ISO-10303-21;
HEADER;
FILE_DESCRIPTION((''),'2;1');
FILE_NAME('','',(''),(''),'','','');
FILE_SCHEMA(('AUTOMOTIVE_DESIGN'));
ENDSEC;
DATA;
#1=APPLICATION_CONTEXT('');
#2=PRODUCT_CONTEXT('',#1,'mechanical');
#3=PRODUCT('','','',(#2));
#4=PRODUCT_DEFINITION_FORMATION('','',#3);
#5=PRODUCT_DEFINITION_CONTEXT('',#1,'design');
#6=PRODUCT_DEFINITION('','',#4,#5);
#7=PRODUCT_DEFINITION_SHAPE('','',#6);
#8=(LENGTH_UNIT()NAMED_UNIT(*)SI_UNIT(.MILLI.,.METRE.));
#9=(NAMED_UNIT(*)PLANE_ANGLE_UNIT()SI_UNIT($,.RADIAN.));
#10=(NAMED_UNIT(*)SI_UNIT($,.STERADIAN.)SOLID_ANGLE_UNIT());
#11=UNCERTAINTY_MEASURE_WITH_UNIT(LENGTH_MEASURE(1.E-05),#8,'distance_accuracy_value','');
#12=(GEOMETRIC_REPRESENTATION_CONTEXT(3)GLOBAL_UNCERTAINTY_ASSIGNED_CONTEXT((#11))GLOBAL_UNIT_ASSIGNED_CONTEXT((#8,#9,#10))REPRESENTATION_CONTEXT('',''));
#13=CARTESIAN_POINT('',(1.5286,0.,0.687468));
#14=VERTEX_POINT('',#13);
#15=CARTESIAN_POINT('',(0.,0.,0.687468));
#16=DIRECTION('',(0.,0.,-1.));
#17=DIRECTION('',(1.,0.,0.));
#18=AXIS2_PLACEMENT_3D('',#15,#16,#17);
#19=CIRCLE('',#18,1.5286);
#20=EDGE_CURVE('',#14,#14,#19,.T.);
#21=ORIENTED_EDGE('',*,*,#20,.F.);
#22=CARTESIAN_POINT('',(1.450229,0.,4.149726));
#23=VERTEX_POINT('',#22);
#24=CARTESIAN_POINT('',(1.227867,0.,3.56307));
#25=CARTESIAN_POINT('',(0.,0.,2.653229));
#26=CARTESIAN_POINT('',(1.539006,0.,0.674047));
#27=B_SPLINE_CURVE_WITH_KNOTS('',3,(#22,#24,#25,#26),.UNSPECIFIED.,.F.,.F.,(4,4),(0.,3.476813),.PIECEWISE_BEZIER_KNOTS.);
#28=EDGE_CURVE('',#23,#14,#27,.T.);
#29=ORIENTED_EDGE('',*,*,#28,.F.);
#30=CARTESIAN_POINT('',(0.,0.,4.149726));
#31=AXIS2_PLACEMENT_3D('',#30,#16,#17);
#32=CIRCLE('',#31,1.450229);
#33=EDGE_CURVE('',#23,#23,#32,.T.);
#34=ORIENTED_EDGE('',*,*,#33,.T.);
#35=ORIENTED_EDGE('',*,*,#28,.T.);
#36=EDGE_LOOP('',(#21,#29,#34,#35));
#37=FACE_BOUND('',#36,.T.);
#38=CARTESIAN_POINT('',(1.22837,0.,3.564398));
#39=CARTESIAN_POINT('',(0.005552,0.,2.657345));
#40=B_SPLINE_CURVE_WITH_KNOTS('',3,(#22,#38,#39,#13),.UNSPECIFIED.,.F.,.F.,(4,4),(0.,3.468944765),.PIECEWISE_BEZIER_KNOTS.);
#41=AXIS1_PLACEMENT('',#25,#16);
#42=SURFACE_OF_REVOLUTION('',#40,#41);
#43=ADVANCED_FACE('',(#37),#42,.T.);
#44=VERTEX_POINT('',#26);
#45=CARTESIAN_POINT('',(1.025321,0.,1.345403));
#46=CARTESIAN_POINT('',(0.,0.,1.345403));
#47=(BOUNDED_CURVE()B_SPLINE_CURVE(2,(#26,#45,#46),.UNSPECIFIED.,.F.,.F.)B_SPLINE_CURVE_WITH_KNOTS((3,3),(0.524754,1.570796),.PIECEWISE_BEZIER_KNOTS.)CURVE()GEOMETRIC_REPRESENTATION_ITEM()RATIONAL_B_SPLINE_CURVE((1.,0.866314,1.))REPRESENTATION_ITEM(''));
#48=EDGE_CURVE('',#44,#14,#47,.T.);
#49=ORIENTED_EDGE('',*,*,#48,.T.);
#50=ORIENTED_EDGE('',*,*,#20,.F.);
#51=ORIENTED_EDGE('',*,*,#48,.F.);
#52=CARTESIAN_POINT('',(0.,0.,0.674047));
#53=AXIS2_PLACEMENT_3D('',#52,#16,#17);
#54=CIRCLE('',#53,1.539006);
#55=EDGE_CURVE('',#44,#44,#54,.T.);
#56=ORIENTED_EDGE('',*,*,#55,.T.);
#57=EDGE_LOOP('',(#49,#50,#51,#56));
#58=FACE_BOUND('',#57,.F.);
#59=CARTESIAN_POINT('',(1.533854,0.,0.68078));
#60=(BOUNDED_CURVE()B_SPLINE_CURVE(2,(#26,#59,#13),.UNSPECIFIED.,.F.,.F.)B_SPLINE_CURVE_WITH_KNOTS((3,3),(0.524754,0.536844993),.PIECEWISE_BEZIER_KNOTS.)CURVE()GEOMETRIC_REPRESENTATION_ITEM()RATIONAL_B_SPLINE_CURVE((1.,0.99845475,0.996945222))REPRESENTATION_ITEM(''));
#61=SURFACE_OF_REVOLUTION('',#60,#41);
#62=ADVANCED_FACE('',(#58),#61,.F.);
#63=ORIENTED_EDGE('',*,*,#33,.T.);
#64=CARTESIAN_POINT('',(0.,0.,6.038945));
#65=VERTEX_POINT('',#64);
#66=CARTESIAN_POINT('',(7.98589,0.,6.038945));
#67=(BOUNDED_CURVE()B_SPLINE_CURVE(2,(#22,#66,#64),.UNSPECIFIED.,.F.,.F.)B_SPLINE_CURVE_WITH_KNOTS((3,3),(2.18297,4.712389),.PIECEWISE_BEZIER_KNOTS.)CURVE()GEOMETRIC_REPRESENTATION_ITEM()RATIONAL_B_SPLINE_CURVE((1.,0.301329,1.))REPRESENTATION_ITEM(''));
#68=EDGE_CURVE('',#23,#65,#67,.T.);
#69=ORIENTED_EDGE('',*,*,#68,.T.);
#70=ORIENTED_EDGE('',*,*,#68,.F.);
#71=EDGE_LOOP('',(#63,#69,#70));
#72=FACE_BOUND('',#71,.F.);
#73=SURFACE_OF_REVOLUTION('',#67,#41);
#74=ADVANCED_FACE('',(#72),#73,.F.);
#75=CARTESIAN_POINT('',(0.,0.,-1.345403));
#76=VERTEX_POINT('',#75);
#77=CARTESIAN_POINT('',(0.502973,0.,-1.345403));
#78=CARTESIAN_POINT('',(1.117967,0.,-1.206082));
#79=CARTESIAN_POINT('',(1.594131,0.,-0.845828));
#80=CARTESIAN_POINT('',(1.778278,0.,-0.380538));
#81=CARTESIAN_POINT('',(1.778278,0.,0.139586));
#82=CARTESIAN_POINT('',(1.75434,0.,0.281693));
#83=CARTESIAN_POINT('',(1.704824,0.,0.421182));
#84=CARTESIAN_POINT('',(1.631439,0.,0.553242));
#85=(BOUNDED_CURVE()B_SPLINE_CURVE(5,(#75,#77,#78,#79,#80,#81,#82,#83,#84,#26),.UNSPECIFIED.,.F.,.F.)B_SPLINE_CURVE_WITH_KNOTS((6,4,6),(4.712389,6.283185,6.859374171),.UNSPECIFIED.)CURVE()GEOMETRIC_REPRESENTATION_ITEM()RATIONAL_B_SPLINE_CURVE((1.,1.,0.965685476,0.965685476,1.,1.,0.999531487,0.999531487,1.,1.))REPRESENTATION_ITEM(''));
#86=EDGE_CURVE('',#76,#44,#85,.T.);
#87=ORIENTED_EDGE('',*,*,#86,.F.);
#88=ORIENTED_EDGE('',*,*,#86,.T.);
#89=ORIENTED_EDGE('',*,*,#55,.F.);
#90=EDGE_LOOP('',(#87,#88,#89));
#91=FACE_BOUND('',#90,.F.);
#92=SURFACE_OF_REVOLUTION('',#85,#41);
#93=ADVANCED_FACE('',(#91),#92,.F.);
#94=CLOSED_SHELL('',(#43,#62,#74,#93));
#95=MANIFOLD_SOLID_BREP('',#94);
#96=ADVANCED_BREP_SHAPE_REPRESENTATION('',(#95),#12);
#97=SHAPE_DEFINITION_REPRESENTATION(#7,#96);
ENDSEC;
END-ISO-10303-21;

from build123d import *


with BuildPart() as f1:
    # F0 (on Front) → F1 (revolve)
    with BuildSketch(Plane.XZ):
        with BuildLine():
            Line((0, 6.038945), (0, 3.961055))
            add(Edge.make_bspline(
                [(0, 3.961055), (0.79753, 3.961055), (1.450229, 4.149726)],
                knots=[1.570796, 1.570796, 1.570796, 2.18297, 2.18297, 2.18297], degree=2, weights=[1, 0.95352, 1]))
            add(Edge.make_bspline(
                [(1.450229, 4.149726), (7.98589, 6.038945), (0, 6.038945)],
                knots=[2.18297, 2.18297, 2.18297, 4.712389, 4.712389, 4.712389], degree=2, weights=[1, 0.301329, 1]))
        make_face()
        with BuildLine():
            add(Edge.make_bspline(
                [(0, 3.961055), (0.79753, 3.961055), (1.450229, 4.149726)],
                knots=[1.570796, 1.570796, 1.570796, 2.18297, 2.18297, 2.18297], degree=2, weights=[1, 0.95352, 1]))
            Line((0, 3.961055), (0, 1.345403))
            add(Edge.make_bspline(
                [(1.539006, 0.674047), (1.025321, 1.345403), (0, 1.345403)],
                knots=[0.524754, 0.524754, 0.524754, 1.570796, 1.570796, 1.570796], degree=2, weights=[1, 0.866314, 1]))
            add(Edge.make_bspline(
                [(1.450229, 4.149726), (1.227867, 3.56307), (0, 2.653229), (1.539006, 0.674047)],
                knots=[0, 0, 0, 0, 3.476813, 3.476813, 3.476813, 3.476813], degree=3))
        make_face()
        with BuildLine():
            add(Edge.make_bspline(
                [(1.778278, 0), (1.778278, 0.361332), (1.539006, 0.674047)],
                knots=[0, 0, 0, 0.524754, 0.524754, 0.524754], degree=2, weights=[1, 0.965776, 1]))
            add(Edge.make_bspline(
                [(1.539006, 0.674047), (1.025321, 1.345403), (0, 1.345403)],
                knots=[0.524754, 0.524754, 0.524754, 1.570796, 1.570796, 1.570796], degree=2, weights=[1, 0.866314, 1]))
            Line((0, 1.345403), (0, -1.345403))
            add(Edge.make_bspline(
                [(0, -1.345403), (1.778278, -1.345403), (1.778278, 0)],
                knots=[4.712389, 4.712389, 4.712389, 6.283185, 6.283185, 6.283185], degree=2, weights=[1, 0.707107, 1]))
        make_face()
    revolve(axis=Axis((0, 0, 2.653229), (0, 0, -1)))


solid = f1.part
